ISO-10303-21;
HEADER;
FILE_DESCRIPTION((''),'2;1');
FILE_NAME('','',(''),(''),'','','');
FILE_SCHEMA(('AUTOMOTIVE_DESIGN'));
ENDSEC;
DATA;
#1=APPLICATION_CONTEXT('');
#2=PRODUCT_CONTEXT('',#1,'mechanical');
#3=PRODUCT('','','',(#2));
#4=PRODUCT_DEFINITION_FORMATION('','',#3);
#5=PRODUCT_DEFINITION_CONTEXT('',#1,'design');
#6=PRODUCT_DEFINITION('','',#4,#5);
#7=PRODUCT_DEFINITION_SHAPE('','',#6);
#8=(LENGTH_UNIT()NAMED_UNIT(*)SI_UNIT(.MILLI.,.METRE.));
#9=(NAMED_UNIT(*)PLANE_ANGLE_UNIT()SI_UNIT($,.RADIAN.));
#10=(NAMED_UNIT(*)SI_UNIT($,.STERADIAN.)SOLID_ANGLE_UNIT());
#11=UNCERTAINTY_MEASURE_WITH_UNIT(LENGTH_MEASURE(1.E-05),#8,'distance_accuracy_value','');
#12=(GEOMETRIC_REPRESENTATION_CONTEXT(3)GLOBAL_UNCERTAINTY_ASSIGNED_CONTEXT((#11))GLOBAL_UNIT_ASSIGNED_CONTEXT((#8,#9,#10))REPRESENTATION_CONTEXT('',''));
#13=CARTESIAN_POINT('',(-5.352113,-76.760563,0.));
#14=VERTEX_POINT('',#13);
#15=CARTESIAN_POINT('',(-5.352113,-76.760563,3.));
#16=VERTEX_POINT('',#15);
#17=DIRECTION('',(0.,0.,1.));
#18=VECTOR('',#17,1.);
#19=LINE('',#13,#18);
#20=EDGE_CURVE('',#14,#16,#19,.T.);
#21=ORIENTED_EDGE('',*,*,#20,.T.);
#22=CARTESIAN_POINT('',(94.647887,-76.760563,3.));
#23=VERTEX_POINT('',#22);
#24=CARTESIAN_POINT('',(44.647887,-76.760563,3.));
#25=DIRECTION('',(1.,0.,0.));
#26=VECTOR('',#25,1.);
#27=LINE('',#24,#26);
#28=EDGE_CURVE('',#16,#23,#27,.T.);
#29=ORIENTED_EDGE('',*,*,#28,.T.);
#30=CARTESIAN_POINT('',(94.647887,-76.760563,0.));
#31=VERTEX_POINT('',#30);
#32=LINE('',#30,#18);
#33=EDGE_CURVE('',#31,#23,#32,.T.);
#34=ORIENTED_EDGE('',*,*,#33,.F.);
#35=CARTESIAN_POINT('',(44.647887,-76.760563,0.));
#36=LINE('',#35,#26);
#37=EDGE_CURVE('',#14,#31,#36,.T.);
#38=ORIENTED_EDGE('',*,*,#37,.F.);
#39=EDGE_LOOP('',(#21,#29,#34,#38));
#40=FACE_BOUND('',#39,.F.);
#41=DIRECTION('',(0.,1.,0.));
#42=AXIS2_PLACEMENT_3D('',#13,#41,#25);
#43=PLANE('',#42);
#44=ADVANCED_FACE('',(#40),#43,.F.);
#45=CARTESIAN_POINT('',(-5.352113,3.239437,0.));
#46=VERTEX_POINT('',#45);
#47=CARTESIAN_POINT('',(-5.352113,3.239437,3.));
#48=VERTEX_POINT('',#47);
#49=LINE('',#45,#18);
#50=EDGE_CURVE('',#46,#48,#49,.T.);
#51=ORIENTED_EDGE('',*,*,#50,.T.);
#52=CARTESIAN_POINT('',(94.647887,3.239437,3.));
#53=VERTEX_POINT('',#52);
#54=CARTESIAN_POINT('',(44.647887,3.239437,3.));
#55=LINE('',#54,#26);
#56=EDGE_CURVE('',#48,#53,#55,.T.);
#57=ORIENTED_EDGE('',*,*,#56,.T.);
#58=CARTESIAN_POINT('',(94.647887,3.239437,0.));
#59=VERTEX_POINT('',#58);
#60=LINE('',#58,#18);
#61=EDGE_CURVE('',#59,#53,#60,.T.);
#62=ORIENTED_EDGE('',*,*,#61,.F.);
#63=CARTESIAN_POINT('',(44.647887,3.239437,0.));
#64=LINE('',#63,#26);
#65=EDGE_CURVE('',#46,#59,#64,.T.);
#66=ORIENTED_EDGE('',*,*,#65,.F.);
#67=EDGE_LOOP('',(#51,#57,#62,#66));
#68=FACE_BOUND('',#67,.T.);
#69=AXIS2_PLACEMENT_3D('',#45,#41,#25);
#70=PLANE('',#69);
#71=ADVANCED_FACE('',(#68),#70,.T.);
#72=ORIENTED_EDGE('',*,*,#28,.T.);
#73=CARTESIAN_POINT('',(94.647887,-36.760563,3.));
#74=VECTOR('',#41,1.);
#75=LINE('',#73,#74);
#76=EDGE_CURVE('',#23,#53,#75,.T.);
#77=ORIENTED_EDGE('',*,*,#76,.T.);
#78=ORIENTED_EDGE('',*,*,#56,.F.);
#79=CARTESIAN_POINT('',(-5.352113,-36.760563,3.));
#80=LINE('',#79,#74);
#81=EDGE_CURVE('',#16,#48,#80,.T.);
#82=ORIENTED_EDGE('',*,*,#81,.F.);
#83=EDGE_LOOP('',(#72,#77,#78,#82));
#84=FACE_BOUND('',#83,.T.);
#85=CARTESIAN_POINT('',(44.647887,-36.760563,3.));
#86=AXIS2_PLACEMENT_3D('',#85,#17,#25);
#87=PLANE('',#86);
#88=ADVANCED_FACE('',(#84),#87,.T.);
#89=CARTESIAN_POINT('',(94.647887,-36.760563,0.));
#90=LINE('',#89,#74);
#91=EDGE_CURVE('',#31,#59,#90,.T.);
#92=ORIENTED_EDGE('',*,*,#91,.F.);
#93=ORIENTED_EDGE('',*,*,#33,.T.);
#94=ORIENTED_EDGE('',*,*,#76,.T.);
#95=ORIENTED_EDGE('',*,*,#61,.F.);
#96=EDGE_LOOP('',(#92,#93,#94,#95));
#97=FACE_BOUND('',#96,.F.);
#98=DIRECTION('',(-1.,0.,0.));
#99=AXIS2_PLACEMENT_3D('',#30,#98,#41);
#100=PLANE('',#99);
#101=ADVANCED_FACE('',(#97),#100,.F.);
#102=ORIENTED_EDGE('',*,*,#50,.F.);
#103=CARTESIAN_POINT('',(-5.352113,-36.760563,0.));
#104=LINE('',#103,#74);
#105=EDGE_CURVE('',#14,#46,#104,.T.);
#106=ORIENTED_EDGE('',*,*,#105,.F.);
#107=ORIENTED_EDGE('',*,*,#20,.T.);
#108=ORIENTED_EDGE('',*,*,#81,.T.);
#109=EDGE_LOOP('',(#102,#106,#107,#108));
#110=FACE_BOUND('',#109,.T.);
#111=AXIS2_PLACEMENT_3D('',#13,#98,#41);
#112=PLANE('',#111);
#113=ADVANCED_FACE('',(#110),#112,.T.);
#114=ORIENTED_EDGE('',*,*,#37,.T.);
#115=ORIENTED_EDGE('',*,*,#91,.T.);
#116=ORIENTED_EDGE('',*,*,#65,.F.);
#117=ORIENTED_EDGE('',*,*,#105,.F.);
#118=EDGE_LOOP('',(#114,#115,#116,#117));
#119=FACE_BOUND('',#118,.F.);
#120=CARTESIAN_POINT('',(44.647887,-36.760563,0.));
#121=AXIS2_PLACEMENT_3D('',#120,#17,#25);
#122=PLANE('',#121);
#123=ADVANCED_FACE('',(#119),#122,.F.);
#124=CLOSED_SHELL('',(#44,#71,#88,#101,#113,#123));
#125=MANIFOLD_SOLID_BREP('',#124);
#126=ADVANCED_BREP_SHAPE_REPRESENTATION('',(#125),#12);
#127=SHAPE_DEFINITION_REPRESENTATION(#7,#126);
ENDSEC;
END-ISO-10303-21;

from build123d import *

# Parameters (mm, degrees)
ESBO_O1_W                = 100
ESBO_O1_H                = 80
RESSALTO_EXTRUS_O1_DEPTH = 3


with BuildPart() as part:
    # Esboço1 → Ressalto-extrusão1 (new body)
    with BuildSketch(Plane.XY):
        with Locations((44.647887324, -36.76056338)):
            Rectangle(ESBO_O1_W, ESBO_O1_H)
    extrude(amount=RESSALTO_EXTRUS_O1_DEPTH)


solid = part.part
